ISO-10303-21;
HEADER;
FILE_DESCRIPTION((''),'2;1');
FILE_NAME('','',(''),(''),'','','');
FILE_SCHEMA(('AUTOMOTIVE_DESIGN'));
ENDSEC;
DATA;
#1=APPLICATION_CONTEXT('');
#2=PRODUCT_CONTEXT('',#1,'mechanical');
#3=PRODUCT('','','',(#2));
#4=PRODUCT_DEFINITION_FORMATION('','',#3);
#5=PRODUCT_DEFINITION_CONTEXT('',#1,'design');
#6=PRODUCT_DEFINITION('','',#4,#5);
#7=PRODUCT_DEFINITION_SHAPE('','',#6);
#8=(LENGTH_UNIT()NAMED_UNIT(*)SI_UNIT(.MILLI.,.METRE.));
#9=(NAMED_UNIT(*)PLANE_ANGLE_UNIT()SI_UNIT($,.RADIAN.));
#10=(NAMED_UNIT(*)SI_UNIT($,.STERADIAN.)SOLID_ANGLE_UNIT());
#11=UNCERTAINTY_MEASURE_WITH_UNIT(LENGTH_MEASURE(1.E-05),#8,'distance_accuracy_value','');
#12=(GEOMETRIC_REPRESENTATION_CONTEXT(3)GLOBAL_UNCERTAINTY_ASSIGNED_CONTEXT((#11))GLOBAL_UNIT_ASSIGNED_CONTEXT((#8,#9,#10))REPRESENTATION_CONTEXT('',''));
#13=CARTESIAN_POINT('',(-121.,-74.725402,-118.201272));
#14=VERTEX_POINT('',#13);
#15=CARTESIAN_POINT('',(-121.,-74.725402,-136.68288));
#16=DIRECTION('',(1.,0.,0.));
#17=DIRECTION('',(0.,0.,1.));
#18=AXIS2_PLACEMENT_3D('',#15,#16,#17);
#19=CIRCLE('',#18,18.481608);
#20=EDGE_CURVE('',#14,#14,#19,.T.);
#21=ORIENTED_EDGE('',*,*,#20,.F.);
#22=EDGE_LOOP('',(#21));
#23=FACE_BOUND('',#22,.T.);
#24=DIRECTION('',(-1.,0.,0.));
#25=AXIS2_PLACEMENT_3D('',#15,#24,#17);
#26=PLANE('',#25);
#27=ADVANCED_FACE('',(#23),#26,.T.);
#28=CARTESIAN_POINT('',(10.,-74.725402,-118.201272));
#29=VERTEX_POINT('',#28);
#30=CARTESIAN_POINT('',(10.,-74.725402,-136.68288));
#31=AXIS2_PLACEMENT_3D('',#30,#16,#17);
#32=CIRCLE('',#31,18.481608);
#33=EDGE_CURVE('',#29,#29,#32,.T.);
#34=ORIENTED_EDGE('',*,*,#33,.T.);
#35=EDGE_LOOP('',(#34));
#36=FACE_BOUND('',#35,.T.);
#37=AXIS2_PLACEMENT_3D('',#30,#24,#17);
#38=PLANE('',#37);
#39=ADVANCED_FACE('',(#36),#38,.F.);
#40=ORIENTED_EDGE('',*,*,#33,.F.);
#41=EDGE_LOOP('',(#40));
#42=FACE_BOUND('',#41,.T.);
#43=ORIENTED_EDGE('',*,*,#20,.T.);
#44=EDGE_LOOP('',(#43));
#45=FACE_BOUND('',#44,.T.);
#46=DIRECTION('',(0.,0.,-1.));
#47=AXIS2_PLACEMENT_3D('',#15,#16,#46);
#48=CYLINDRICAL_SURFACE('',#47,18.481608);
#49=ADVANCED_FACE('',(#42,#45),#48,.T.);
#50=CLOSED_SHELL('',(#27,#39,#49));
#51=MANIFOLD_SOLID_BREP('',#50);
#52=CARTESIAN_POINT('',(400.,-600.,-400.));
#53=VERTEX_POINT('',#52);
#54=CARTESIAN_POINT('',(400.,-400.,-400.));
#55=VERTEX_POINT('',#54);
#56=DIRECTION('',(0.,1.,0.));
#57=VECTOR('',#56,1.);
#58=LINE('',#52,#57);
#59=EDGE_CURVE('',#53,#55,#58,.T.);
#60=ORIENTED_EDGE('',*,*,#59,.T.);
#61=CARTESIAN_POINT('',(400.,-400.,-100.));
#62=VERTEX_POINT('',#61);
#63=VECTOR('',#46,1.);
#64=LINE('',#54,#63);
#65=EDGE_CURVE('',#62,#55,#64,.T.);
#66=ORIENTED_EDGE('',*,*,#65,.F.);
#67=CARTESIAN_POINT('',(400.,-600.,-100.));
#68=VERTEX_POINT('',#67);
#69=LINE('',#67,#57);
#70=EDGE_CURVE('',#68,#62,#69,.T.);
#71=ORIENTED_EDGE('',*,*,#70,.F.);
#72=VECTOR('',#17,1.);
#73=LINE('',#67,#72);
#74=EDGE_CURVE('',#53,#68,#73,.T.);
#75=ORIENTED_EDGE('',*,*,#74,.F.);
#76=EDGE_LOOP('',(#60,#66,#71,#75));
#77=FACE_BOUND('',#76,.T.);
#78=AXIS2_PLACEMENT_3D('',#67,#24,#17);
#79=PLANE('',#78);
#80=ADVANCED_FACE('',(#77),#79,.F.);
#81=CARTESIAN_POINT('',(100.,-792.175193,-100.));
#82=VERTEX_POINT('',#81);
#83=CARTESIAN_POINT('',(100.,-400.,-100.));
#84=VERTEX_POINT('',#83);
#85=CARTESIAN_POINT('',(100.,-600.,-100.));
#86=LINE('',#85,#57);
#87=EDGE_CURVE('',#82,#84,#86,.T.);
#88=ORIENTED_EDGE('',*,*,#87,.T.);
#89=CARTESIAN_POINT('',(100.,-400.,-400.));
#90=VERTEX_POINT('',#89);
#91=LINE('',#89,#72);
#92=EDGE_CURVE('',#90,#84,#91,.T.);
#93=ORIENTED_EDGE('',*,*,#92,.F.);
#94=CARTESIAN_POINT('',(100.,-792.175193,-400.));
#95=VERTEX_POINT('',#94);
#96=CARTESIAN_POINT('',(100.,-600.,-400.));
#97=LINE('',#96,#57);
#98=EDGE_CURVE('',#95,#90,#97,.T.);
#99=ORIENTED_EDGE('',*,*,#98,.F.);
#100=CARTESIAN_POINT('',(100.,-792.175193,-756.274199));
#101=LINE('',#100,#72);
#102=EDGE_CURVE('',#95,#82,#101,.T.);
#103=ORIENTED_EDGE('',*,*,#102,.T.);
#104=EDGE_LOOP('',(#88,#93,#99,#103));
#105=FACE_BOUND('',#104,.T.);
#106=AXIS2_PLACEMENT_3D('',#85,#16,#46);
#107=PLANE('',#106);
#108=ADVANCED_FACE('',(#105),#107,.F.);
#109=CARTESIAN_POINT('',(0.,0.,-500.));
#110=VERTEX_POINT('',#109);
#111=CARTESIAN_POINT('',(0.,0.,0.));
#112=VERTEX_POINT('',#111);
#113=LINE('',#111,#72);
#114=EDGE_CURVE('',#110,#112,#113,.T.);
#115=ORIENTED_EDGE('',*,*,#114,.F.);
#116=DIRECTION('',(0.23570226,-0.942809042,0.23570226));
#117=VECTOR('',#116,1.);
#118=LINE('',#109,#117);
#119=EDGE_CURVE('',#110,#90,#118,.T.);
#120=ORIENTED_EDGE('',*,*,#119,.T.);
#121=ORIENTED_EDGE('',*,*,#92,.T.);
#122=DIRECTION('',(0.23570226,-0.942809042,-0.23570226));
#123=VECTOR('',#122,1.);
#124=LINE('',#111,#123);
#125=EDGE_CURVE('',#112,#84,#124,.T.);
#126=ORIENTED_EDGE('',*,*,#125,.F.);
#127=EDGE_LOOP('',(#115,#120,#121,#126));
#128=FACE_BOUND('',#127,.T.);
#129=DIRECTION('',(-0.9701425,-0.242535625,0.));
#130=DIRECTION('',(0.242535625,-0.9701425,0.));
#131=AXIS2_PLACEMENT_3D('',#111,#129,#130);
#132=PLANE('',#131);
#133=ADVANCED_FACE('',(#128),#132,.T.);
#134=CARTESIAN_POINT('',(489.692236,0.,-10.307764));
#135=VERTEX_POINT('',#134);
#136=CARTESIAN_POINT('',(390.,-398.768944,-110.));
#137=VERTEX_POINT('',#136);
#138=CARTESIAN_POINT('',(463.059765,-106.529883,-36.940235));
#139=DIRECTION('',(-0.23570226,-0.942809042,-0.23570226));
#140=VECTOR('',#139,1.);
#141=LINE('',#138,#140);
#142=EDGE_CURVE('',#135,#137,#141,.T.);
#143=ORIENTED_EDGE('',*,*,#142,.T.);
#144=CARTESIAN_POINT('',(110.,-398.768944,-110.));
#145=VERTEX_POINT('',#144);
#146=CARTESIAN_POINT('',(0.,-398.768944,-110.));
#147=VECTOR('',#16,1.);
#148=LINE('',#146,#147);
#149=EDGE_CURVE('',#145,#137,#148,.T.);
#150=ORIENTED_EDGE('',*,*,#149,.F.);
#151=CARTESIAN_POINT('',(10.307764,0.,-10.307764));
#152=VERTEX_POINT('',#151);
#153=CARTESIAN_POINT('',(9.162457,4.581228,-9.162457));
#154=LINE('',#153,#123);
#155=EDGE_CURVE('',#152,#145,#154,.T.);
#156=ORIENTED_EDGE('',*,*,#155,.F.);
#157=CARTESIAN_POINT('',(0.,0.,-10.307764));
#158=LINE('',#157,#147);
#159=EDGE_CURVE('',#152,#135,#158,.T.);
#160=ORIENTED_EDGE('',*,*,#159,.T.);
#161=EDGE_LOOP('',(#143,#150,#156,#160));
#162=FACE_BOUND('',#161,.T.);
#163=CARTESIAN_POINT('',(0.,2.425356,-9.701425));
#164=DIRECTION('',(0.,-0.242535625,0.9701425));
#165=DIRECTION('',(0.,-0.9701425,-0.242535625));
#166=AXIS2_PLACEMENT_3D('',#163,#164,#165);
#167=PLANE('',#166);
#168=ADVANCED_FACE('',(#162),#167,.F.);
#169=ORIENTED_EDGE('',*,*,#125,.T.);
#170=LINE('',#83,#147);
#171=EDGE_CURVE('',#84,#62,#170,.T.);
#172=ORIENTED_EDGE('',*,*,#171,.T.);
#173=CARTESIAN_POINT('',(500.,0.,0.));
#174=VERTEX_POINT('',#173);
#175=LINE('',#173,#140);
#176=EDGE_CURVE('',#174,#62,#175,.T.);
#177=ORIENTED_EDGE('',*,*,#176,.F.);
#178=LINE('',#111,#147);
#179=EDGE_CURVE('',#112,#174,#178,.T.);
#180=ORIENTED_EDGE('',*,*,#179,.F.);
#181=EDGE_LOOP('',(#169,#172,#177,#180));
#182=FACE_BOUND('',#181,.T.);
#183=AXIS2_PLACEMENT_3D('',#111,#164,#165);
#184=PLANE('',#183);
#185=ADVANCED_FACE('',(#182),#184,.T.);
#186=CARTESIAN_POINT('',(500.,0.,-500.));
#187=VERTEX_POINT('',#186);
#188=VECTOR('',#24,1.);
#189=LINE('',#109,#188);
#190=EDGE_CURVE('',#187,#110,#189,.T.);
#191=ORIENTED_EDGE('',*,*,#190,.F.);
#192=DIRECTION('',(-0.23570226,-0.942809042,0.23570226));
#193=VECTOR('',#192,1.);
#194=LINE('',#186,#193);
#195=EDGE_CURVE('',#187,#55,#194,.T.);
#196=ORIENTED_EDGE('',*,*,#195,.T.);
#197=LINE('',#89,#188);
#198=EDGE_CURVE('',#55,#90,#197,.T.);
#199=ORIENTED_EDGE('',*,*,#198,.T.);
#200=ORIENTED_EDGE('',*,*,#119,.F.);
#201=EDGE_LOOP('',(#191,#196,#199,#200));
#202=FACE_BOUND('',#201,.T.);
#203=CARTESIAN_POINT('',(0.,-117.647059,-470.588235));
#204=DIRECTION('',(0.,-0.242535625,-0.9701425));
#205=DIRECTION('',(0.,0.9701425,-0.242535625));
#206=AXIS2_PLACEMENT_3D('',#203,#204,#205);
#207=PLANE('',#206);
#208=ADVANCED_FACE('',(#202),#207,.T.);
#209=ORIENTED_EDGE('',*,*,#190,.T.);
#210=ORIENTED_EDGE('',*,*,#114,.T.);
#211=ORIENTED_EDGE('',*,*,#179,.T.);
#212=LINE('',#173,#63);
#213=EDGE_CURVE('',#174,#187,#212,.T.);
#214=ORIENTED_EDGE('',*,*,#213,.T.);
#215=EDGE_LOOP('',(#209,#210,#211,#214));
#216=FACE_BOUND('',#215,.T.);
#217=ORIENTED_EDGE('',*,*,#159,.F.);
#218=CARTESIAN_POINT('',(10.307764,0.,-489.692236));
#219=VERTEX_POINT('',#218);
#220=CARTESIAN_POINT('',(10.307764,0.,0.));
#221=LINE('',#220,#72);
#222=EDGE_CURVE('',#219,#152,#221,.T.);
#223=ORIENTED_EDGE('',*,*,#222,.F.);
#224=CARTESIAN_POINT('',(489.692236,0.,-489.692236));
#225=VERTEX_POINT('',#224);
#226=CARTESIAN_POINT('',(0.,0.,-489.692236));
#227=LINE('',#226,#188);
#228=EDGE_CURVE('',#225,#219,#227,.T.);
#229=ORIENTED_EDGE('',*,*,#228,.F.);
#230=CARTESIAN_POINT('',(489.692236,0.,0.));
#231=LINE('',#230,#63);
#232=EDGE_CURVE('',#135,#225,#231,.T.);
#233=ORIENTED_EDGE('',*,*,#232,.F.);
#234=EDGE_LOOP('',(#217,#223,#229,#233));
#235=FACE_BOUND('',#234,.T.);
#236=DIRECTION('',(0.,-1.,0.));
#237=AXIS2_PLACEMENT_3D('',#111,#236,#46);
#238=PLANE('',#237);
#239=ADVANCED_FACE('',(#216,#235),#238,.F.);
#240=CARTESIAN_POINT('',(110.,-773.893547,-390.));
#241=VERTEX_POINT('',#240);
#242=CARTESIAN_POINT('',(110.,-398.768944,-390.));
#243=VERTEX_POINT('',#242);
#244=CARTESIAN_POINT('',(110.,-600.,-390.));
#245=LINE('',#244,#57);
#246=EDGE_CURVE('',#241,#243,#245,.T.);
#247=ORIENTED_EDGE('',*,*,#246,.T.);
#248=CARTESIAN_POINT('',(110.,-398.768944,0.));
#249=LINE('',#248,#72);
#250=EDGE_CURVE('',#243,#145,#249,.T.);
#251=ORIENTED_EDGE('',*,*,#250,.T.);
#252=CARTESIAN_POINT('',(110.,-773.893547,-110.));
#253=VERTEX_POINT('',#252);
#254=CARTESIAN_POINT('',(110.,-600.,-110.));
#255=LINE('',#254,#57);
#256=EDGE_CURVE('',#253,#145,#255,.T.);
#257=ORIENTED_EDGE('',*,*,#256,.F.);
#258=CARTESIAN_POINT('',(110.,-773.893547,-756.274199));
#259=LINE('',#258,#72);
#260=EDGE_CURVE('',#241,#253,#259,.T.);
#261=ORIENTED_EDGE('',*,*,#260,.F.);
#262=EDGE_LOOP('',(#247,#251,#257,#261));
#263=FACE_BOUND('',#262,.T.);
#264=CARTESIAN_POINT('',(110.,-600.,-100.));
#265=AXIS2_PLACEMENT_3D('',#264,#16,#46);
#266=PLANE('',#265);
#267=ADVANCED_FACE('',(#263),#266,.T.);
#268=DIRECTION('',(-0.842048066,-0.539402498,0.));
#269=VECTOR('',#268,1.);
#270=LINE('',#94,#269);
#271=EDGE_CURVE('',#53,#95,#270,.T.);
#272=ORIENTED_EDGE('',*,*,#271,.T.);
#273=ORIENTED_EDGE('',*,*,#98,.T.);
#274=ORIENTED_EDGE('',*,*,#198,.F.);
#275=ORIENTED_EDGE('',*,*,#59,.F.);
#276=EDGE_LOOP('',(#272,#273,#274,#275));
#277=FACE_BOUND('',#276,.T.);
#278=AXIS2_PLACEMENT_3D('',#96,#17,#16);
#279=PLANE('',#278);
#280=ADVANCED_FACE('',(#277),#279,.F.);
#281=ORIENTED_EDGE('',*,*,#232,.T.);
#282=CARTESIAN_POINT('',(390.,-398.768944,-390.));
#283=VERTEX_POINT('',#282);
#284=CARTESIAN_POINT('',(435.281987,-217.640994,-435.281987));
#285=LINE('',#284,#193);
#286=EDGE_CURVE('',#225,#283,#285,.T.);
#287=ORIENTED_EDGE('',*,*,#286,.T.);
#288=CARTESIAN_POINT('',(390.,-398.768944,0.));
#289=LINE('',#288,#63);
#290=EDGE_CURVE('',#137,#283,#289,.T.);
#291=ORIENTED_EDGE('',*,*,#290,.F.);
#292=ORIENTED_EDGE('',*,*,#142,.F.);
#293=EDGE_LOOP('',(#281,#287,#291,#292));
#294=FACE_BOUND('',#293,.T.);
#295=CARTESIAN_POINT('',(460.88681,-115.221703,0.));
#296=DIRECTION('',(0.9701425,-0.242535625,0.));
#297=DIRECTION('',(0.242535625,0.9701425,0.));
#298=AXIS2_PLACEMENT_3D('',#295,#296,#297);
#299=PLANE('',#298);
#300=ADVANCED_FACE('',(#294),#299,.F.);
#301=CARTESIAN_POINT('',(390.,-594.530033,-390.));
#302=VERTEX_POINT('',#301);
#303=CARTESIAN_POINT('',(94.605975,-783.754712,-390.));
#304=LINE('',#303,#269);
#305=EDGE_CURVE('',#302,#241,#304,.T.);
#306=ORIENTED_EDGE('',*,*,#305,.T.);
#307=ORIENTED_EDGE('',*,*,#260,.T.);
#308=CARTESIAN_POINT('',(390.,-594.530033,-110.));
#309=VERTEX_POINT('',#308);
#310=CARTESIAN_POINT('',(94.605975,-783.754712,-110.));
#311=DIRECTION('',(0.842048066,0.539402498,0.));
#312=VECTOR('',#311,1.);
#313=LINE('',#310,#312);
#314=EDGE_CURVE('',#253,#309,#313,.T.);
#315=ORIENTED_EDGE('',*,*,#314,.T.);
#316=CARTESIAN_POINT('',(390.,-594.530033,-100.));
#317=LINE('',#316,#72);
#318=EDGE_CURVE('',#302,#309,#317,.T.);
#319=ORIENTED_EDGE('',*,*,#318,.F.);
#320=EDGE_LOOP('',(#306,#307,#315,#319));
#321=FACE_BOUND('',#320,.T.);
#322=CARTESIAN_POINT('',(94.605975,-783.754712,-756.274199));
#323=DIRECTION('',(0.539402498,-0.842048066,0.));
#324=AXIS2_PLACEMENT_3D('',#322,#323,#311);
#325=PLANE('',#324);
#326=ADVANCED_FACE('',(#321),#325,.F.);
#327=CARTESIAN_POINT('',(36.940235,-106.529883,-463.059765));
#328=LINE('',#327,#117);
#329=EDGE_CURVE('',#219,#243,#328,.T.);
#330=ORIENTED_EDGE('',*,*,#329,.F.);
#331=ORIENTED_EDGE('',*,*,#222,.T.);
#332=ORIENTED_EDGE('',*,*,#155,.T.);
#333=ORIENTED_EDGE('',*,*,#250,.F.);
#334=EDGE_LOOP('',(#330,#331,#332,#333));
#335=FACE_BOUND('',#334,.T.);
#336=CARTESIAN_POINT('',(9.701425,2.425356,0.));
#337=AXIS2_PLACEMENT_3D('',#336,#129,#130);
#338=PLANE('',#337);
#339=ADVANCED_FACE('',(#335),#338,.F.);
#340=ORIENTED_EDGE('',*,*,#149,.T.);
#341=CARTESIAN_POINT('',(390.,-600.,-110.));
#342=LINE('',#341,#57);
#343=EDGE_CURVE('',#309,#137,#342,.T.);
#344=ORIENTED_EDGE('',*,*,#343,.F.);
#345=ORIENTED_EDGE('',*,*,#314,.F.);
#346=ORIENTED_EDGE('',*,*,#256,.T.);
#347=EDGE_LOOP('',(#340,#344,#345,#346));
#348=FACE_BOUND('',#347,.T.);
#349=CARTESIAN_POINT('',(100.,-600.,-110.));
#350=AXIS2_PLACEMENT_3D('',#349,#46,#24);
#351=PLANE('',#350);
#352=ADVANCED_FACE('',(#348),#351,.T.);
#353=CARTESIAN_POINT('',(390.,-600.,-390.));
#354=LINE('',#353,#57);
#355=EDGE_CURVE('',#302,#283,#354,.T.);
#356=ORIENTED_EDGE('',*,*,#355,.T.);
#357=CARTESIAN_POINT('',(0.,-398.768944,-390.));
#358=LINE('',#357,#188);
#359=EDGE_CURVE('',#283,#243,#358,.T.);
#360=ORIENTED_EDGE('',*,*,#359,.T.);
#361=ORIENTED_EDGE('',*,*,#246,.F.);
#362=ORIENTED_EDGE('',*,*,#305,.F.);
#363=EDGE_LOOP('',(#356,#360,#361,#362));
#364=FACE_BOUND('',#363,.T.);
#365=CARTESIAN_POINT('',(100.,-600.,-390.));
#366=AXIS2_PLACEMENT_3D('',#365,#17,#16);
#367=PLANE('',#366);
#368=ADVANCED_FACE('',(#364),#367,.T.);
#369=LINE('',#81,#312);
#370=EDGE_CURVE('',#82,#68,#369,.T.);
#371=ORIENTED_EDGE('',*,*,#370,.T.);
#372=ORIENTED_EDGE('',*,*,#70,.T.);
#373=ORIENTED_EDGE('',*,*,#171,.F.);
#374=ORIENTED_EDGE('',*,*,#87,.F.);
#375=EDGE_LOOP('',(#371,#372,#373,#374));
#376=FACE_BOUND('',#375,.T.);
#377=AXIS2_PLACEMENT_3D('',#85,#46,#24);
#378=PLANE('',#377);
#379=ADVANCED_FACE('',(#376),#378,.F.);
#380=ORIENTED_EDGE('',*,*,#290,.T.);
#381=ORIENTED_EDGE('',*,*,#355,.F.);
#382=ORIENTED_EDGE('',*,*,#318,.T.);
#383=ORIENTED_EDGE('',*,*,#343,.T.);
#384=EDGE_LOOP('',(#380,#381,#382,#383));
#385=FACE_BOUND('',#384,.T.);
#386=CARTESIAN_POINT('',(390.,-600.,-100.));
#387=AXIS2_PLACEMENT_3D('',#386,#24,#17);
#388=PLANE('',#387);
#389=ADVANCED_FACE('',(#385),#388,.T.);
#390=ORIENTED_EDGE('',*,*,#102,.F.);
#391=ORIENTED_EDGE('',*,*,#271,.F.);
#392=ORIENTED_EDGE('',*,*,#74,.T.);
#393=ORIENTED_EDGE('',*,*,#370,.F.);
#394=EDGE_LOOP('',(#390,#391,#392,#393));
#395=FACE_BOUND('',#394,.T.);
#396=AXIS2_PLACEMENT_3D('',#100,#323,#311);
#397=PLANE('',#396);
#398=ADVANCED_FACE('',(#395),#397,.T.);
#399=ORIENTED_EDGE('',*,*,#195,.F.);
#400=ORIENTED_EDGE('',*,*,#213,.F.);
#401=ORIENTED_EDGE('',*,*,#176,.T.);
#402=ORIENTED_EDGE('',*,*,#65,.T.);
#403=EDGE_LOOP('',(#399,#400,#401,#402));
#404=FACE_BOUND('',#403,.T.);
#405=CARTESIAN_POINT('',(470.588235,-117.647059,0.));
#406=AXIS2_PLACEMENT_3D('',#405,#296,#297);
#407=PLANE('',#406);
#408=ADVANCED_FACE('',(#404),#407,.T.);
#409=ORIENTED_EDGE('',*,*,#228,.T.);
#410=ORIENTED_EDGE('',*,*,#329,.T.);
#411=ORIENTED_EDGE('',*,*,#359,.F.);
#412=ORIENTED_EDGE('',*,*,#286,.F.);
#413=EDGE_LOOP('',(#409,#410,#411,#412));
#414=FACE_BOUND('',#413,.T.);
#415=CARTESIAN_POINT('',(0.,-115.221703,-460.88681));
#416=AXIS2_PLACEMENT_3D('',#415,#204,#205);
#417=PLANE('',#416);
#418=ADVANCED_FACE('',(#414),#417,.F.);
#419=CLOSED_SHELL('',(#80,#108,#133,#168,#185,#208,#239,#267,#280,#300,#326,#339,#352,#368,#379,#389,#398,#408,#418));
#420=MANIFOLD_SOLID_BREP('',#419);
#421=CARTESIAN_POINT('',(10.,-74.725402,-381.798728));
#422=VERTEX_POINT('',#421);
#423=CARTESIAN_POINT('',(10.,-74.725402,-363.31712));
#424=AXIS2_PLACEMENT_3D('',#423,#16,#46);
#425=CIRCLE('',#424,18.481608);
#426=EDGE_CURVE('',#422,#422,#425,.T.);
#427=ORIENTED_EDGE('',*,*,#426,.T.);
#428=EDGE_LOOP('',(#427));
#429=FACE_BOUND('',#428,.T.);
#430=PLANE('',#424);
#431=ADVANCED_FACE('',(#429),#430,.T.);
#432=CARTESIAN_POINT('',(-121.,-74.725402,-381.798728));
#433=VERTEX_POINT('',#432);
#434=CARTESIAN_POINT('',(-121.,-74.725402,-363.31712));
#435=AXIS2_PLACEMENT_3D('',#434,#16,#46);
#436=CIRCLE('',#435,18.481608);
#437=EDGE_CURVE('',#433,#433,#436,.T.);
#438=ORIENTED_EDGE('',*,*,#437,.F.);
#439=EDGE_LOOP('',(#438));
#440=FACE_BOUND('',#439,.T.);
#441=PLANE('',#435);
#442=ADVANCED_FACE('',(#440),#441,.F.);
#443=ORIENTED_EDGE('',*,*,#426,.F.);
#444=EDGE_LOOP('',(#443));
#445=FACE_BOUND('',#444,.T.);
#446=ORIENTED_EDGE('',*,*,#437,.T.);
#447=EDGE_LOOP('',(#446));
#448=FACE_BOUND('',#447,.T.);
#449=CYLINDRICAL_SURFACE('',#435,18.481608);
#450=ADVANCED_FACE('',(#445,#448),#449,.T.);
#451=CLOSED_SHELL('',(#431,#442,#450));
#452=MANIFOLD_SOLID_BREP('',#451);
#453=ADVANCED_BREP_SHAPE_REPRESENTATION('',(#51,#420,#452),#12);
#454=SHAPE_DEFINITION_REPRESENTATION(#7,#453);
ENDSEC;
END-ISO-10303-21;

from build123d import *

# Parameters (mm, degrees)
CROQUIS4_W                     = 300
CROQUIS4_H                     = 300
SALIENTE_EXTRUIR1_DEPTH        = 200
SALIENTE_EXTRUIR2_DEPTH        = 300
VACIADO1_T                     = -10
SALIENTE_EXTRUIR3_DEPTH        = 10
SALIENTE_EXTRUIR3_DEPTH_BACK   = 121
CROQUIS6_R                     = 18.481607755
SALIENTE_EXTRUIR3_2_DEPTH      = 10
SALIENTE_EXTRUIR3_2_DEPTH_BACK = 121


with BuildPart() as part:
    # Croquis2 → Recubrir1 section 0
    with BuildSketch(Plane(origin=(0, 0, 0), x_dir=(1, 0, 0), z_dir=(0, 1, 0))):
        with BuildLine():
            Line((0, 0), (500, 0))
            Line((500, 0), (500, 500))
            Line((500, 500), (0, 500))
            Line((0, 500), (0, 0))
        make_face()
    # Croquis3 → Recubrir1 section 1
    with BuildSketch(Plane(origin=(0, -400, 0), x_dir=(1, 0, 0), z_dir=(0, 1, 0))):
        with BuildLine():
            Line((100, 400), (400, 400))
            Line((400, 400), (400, 100))
            Line((400, 100), (100, 100))
            Line((100, 100), (100, 400))
        make_face()
    loft()

    # Croquis4 → Saliente-Extruir1 (add)
    with BuildSketch(Plane.XZ.offset(400)):
        with Locations((250, -250)):
            Rectangle(CROQUIS4_W, CROQUIS4_H)
    extrude(amount=SALIENTE_EXTRUIR1_DEPTH)

    # Croquis5 → Saliente-Extruir2 (add)
    with BuildSketch(Plane.XY.offset(-100)):
        Polygon((100, -600), (100, -792.175192929), (400, -600), align=None)
    extrude(amount=-SALIENTE_EXTRUIR2_DEPTH)

    # Vaciado1
    vaciado1_openings = [part.faces().sort_by_distance(p)[0] for p in [
        (250, 0, -250),
    ]]
    offset(amount=VACIADO1_T, openings=vaciado1_openings, kind=Kind.INTERSECTION)


with BuildPart() as body_2:
    # Croquis6 → Saliente-Extruir3 (new, two sides: drawn at the far end of the back side and taken through both)
    with BuildSketch(Plane(origin=(0, 0, 0), x_dir=(0, 0, -1), z_dir=(1, 0, 0)).offset(-SALIENTE_EXTRUIR3_DEPTH_BACK)):
        with Locations((363.317119746, -74.725401963)):
            Circle(CROQUIS6_R)
    extrude(amount=SALIENTE_EXTRUIR3_DEPTH + SALIENTE_EXTRUIR3_DEPTH_BACK)


with BuildPart() as body_3:
    # Croquis6 → Saliente-Extruir3 2 (new, two sides: drawn at the far end of the back side and taken through both)
    with BuildSketch(Plane(origin=(0, 0, 0), x_dir=(0, 0, -1), z_dir=(1, 0, 0)).offset(-SALIENTE_EXTRUIR3_2_DEPTH_BACK)):
        with Locations(Location((136.682880254, -74.725401963, 0), (0, 0, 180))):
            Circle(CROQUIS6_R)
    extrude(amount=SALIENTE_EXTRUIR3_2_DEPTH + SALIENTE_EXTRUIR3_2_DEPTH_BACK)


solid = Compound([part.part, body_2.part, body_3.part])
